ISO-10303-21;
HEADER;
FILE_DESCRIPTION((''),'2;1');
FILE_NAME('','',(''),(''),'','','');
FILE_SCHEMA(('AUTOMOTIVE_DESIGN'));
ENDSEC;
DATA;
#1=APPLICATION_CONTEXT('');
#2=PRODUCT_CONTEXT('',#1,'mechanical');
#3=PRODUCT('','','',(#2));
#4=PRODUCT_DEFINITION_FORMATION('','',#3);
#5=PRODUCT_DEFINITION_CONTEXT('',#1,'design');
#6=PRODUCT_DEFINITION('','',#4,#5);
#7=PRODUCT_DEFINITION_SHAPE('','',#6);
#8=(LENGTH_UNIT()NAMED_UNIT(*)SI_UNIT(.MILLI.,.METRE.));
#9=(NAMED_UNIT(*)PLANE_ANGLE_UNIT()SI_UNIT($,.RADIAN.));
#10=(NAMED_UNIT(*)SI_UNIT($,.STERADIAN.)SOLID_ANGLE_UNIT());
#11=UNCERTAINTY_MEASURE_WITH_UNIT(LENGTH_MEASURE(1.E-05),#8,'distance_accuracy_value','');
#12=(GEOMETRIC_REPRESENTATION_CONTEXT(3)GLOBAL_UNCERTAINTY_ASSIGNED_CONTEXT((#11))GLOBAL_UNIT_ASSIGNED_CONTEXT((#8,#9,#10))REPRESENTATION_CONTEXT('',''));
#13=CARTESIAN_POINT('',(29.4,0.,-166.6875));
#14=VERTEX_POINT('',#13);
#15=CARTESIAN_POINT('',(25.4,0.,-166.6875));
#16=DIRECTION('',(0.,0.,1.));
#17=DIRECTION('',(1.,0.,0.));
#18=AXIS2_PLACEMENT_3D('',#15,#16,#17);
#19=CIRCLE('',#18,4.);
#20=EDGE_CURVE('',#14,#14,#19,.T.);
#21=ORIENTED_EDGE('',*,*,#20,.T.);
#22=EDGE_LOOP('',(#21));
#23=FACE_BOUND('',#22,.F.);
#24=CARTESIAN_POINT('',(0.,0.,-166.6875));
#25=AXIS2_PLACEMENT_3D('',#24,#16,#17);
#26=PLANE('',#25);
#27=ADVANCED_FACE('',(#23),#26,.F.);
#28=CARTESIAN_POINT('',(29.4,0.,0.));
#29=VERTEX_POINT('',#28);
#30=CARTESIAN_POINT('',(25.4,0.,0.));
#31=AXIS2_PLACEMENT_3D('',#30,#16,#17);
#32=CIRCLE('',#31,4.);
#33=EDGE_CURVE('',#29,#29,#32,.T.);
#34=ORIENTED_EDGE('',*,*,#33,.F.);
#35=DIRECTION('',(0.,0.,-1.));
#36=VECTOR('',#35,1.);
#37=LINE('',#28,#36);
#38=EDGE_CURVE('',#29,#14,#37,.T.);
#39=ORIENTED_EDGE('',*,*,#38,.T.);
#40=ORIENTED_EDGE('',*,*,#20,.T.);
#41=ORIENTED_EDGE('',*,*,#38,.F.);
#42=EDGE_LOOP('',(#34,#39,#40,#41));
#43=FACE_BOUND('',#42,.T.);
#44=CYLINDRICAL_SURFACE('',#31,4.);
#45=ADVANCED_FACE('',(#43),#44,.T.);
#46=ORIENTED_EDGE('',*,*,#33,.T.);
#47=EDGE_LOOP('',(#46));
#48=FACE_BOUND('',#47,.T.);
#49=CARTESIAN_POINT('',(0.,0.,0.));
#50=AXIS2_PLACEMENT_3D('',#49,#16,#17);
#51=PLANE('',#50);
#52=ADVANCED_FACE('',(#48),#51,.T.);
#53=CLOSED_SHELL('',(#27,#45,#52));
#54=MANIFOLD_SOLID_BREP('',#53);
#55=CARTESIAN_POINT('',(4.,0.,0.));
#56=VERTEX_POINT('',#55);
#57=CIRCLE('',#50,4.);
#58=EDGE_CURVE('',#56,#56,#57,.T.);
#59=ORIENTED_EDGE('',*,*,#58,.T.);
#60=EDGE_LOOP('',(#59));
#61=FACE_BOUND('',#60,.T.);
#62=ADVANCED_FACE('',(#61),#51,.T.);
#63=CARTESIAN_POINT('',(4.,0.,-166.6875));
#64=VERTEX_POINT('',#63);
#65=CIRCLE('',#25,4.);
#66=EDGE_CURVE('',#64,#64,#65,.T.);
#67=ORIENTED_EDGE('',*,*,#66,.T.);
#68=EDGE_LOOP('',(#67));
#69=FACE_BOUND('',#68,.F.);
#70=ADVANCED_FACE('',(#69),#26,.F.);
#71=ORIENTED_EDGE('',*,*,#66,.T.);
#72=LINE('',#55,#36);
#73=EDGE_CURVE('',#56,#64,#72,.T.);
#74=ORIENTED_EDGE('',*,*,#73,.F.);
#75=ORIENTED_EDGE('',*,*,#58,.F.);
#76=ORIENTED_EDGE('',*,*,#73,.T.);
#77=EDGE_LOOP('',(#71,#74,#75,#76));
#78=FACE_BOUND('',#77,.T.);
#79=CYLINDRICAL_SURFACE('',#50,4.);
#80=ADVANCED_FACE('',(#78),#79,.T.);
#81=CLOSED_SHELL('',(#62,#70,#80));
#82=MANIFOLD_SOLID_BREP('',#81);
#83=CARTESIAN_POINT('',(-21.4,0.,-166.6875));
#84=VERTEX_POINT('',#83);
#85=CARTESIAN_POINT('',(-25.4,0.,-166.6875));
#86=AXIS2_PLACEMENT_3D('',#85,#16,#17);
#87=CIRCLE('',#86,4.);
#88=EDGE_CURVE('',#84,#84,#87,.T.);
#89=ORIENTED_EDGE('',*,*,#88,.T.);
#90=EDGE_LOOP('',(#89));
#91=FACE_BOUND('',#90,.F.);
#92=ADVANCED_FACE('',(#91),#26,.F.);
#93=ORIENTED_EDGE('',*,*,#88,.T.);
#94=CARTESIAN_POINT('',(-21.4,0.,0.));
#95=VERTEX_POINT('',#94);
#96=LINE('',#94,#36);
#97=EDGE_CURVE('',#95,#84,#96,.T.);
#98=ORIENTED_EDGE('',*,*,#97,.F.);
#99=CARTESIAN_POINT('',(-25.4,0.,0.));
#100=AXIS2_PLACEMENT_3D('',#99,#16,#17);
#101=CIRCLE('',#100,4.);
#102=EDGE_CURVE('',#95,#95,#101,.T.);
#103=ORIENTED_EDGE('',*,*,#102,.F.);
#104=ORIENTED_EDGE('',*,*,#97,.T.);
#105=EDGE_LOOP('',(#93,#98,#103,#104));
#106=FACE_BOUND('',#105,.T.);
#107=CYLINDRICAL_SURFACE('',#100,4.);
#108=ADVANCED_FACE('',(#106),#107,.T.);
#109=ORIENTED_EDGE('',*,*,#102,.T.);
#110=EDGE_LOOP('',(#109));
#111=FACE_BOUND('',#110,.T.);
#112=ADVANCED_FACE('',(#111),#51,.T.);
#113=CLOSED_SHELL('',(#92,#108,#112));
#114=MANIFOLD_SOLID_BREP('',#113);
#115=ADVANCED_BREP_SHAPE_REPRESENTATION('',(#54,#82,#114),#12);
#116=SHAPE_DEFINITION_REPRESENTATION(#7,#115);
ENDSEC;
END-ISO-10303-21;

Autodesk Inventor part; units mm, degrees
ref_plane "YZ Plane" through (0, 0, 0) normal (1, 0, 0) x (0, 1, 0)
ref_plane "XZ Plane" through (0, 0, 0) normal (0, 1, 0) x (-1, 0, 0)
ref_plane "XY Plane" through (0, 0, 0) normal (0, 0, 1) x (1, 0, 0)
ref_plane "Work Plane1" through (0, 0, 0) normal (0, 0, 1) x (1, 0, 0)
sketch "Sketch1" plane through (0, 0, 0) normal (0, 0, 1) x (1, 0, 0)
  circle A0 centre (25.4, 0) radius 4 projected
  circle A1 centre (0, 0) radius 4 projected
  circle A2 centre (-25.4, 0) radius 4 projected
  point P0 (0, 0)
extrude "Extrusion1" add sketch "Sketch1" against normal blind 166.6875
properties part number "Z Rails"
